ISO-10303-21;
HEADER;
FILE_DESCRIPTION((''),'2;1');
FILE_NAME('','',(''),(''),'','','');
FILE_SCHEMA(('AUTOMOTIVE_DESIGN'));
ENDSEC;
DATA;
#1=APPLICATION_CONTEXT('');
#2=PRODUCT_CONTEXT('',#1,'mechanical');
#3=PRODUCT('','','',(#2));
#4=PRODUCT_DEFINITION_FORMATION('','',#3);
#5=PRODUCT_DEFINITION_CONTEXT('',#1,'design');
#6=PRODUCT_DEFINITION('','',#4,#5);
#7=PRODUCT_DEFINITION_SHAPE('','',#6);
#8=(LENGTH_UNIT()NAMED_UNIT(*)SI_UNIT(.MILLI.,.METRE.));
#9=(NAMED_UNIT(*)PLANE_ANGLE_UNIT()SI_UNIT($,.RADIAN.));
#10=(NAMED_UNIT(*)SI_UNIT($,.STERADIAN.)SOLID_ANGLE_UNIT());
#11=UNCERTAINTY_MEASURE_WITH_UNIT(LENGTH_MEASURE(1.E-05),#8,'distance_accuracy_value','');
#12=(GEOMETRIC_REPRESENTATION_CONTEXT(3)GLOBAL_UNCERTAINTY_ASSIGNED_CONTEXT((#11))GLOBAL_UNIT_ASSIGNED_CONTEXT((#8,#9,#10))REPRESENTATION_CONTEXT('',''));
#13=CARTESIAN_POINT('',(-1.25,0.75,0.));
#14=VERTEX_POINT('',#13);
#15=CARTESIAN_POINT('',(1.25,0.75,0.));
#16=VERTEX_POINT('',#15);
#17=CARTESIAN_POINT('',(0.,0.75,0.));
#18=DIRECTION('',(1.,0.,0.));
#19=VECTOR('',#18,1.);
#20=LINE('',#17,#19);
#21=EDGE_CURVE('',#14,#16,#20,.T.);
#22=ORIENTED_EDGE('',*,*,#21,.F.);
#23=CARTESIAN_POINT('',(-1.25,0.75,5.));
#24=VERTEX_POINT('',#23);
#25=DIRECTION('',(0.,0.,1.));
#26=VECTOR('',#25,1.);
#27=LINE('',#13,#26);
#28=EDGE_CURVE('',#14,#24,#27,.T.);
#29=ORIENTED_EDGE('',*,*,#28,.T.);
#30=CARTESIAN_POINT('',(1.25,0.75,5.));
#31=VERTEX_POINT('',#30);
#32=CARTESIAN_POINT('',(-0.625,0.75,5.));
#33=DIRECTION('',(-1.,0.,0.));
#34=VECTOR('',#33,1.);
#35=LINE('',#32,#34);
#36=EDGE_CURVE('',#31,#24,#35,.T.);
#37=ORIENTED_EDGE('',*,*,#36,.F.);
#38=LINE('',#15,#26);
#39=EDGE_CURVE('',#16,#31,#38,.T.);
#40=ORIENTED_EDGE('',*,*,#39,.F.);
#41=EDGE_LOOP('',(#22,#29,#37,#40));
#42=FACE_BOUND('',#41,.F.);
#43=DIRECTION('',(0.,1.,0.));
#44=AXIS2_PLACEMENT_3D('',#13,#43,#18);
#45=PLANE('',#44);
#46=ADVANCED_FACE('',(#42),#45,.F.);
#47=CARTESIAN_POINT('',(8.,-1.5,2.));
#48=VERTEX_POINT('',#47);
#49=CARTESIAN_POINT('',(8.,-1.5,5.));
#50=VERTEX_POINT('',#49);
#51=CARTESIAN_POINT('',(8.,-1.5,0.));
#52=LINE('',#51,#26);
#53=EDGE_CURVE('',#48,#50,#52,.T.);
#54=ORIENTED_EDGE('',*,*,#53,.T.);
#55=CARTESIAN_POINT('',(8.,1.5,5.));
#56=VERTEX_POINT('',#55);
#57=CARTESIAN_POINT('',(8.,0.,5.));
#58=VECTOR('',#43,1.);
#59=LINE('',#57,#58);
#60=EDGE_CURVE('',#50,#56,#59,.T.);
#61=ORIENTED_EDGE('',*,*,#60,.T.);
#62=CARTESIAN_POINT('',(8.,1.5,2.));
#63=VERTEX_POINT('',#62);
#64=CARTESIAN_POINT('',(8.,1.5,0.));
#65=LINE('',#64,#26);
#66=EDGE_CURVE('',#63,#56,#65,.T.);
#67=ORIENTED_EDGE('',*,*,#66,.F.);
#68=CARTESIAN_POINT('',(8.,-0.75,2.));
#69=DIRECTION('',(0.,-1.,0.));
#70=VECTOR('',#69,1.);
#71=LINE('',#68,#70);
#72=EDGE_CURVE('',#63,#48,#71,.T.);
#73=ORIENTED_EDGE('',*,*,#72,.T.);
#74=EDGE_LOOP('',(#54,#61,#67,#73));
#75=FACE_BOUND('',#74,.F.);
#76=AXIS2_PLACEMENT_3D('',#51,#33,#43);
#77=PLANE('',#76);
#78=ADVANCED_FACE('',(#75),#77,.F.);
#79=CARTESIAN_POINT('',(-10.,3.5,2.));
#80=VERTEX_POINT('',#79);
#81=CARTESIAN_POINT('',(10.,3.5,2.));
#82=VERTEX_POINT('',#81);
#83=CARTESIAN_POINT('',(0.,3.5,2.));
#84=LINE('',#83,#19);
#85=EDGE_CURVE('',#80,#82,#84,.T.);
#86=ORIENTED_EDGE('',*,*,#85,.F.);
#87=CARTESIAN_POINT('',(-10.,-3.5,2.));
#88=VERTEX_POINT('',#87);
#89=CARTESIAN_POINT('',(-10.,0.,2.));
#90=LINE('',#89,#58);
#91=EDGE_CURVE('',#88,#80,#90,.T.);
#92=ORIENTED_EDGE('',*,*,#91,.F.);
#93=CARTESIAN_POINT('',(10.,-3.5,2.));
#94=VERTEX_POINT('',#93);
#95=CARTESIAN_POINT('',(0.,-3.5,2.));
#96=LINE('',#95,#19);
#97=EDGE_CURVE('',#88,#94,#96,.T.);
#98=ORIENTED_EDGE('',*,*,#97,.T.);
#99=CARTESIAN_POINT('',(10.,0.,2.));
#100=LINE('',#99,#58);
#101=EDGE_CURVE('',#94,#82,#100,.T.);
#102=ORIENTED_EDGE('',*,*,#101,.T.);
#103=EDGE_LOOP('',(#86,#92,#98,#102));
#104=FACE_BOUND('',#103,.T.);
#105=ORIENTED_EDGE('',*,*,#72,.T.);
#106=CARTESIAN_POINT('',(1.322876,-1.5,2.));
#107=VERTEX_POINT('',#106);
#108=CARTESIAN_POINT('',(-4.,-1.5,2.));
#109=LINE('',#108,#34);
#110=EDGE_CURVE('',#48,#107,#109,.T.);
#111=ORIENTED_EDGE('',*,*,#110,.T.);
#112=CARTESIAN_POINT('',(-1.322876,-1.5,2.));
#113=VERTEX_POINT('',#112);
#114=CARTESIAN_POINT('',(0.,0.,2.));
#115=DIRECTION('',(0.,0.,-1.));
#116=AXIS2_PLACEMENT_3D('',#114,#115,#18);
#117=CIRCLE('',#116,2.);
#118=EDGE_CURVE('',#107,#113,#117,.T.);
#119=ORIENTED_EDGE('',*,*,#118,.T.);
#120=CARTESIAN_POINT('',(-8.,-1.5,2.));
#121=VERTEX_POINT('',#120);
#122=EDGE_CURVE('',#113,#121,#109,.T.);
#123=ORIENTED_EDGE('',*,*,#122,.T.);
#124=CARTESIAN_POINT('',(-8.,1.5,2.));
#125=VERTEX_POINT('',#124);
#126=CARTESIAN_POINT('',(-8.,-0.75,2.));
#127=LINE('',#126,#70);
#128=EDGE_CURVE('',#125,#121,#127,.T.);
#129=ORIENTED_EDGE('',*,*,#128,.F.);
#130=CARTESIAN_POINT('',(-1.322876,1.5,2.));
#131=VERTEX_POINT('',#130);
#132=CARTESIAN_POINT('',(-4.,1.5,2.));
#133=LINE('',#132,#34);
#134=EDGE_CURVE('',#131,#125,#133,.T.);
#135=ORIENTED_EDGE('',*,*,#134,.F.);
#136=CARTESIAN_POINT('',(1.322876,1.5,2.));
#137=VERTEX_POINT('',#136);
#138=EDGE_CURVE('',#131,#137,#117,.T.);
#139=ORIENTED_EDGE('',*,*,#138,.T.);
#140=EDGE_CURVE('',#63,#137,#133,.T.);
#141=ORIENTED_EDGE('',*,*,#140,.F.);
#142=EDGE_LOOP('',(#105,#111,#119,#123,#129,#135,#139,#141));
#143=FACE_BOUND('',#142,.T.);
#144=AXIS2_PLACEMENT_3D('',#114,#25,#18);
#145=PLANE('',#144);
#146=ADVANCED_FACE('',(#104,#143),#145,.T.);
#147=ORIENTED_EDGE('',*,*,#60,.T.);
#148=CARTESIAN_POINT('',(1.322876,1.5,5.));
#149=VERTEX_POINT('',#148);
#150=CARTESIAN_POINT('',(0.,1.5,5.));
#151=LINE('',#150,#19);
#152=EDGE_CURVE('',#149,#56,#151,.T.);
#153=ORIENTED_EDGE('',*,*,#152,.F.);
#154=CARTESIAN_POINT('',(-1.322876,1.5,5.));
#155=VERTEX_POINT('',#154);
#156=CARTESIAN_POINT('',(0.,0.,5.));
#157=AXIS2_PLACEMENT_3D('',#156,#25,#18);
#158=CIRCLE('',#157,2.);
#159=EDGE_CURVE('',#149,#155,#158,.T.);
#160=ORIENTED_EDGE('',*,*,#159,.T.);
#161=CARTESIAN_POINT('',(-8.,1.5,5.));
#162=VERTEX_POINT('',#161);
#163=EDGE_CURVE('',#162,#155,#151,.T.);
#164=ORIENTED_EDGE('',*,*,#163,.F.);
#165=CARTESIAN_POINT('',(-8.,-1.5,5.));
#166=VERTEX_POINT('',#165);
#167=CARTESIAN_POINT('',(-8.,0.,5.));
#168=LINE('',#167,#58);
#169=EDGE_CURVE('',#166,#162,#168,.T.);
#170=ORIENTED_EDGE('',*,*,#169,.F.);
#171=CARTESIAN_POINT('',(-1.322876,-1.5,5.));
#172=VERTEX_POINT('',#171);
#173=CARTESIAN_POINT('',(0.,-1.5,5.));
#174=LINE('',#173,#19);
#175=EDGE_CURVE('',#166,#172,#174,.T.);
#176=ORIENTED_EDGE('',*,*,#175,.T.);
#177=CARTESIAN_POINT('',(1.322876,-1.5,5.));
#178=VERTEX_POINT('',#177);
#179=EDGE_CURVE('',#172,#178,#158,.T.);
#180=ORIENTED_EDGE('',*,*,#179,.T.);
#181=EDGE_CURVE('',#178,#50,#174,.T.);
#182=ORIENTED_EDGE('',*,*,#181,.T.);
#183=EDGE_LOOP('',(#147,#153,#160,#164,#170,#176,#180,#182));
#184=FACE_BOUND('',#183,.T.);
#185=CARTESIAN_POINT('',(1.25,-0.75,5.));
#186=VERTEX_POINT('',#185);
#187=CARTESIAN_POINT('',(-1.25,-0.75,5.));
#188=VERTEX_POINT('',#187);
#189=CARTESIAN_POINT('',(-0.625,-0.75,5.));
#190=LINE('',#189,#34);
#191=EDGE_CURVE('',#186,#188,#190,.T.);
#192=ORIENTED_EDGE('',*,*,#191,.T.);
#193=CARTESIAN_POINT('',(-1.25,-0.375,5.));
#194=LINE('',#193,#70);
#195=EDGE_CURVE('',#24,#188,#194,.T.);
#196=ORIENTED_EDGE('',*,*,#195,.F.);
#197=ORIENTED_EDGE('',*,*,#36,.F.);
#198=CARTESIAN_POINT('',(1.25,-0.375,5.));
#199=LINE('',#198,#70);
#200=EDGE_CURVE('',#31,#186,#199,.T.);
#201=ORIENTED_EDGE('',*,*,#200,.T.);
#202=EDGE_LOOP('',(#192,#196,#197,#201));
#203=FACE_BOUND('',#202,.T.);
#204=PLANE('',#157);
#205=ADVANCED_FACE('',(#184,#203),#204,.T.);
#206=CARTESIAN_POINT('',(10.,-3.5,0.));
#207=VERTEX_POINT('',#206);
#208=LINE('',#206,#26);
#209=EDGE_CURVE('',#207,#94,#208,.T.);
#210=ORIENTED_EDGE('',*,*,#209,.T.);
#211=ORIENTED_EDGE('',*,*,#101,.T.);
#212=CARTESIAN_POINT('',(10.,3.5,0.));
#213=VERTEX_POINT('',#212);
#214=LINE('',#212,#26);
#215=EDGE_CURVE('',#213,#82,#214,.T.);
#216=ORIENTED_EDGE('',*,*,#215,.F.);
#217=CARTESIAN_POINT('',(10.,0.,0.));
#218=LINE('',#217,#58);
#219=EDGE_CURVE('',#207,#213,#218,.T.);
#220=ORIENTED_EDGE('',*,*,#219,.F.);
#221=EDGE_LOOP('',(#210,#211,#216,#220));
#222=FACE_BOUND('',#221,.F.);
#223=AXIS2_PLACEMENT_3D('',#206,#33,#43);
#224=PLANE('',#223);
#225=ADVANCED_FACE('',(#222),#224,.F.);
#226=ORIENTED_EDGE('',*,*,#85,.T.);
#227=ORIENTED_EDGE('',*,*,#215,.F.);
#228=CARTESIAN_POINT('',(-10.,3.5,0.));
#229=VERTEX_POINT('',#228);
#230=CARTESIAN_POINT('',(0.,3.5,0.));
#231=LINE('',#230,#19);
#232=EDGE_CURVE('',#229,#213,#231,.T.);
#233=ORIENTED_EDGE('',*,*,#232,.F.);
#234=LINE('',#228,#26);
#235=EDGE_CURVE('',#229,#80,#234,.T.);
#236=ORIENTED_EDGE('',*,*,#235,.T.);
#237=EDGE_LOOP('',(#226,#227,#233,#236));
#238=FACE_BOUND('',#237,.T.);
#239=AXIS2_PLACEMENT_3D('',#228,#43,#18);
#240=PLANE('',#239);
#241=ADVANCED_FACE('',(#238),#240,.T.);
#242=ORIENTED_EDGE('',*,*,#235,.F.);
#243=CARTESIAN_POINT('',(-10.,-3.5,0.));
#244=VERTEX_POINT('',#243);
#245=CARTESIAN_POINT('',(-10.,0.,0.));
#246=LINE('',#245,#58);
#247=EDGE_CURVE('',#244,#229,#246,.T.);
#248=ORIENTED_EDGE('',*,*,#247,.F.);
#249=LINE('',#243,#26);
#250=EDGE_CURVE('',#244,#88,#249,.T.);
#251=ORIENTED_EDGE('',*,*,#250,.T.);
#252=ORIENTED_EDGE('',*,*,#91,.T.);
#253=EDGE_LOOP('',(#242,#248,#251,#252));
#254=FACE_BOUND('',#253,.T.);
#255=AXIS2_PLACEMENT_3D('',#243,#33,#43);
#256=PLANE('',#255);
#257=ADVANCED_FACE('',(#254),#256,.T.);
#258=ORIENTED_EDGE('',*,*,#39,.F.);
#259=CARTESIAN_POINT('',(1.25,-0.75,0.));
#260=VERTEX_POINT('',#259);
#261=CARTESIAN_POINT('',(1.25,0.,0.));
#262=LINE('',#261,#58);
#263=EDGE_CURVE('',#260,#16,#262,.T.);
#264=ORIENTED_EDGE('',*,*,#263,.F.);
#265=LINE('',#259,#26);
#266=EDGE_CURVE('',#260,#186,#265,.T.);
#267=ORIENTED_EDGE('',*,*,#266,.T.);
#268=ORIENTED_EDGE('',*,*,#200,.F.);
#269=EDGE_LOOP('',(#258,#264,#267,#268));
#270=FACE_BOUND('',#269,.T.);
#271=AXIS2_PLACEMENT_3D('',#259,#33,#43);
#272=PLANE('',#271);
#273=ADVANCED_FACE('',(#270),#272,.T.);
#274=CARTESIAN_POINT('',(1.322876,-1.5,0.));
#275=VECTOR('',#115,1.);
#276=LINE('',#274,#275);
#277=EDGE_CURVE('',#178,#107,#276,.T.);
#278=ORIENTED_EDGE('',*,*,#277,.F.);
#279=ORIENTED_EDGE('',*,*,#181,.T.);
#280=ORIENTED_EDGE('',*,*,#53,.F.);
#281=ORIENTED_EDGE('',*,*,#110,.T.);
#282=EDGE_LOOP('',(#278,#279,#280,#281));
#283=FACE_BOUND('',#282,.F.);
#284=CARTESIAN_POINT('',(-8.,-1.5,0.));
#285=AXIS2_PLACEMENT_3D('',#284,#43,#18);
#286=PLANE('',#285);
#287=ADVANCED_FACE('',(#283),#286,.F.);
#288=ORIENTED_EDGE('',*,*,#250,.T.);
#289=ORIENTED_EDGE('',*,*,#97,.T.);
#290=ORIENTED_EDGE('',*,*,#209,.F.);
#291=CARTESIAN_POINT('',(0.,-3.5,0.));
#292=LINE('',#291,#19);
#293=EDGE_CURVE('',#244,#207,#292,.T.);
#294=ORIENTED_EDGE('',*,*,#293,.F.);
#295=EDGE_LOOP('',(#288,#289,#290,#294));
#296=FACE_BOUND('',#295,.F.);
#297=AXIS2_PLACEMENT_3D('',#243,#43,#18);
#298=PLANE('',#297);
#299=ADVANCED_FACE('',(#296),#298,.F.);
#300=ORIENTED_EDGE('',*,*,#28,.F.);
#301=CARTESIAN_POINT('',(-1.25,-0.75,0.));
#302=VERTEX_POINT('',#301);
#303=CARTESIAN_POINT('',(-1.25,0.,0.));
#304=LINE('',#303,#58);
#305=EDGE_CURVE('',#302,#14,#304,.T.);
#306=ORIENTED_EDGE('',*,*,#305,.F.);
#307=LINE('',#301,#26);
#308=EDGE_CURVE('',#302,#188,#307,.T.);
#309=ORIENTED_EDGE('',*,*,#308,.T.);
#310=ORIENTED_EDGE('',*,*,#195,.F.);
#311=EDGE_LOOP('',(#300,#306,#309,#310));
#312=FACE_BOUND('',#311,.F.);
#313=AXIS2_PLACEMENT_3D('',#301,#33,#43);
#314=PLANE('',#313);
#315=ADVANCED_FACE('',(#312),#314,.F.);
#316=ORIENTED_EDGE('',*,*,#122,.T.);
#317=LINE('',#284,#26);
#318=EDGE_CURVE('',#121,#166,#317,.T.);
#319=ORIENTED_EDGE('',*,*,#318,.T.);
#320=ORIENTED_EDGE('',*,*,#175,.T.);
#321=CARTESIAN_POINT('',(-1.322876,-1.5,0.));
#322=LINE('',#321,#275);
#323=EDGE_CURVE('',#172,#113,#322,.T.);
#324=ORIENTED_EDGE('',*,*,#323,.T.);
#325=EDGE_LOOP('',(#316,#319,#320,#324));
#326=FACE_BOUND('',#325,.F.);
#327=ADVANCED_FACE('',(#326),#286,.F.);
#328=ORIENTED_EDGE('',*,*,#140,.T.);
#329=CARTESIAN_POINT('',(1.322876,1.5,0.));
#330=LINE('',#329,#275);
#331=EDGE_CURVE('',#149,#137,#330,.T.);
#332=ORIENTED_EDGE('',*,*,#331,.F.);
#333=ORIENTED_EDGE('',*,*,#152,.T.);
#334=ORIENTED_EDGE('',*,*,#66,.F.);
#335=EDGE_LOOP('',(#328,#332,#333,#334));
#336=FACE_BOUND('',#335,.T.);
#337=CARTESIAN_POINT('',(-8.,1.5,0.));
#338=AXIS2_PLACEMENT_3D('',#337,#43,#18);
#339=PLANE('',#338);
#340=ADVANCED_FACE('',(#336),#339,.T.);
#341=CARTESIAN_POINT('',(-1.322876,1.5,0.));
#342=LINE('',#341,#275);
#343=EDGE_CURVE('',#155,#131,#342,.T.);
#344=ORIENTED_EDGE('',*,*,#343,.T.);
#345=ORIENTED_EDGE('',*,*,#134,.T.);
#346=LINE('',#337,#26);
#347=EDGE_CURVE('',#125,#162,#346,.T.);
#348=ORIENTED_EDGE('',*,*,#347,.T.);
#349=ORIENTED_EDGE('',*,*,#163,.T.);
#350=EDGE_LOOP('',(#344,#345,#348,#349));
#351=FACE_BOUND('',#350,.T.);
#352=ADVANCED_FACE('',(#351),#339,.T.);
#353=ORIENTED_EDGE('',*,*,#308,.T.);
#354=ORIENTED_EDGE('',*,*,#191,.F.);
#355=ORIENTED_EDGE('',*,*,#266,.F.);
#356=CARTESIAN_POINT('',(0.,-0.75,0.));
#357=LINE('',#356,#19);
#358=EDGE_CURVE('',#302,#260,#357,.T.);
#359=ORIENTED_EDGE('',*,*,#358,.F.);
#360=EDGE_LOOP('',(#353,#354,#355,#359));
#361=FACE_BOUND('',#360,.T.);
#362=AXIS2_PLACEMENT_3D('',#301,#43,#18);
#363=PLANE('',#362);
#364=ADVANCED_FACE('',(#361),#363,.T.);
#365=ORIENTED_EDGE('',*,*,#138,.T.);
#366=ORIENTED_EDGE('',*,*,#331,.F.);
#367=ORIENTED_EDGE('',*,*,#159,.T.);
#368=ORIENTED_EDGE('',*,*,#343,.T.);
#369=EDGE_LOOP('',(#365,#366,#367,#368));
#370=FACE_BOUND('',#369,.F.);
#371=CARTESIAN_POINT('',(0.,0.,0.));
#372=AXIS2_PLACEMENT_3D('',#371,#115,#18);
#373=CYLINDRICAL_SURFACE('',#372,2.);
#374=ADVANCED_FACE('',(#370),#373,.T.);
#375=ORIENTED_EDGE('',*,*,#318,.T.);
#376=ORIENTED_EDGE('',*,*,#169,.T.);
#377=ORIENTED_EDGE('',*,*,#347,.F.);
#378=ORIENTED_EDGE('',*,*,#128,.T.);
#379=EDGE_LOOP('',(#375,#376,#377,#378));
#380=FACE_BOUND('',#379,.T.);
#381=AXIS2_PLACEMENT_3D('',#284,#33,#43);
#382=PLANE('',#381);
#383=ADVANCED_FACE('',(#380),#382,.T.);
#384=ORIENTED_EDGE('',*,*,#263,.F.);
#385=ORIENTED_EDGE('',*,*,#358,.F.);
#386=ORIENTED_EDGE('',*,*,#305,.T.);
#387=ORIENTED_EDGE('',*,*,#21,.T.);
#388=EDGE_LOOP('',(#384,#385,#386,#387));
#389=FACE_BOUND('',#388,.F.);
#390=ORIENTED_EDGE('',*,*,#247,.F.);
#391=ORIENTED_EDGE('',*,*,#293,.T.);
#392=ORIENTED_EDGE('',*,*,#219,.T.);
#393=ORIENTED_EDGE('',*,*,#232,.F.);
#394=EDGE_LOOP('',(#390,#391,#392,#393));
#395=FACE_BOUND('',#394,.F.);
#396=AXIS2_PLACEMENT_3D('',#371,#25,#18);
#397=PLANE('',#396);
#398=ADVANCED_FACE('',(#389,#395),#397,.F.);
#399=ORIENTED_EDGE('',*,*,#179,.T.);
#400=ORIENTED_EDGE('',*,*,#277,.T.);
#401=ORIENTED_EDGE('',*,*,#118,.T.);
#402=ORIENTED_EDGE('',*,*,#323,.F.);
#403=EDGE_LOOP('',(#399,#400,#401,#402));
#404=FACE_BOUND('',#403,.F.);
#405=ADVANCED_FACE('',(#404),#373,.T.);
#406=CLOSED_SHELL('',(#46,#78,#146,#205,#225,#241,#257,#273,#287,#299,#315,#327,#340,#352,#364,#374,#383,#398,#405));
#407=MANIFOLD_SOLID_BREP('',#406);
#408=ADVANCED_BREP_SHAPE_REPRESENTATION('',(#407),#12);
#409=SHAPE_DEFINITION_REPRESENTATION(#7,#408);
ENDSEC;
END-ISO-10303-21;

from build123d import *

# Parameters (mm, degrees)
BOX001_W       = 2.5
BOX001_H       = 1.5
BOX001_DEPTH   = 10
BOX_W          = 16
BOX_H          = 3
BOX_DEPTH      = 5
CYLINDER_R     = 2
CYLINDER_DEPTH = 5
BOX002_W       = 20
BOX002_H       = 7
BOX002_DEPTH   = 2


with BuildPart() as cube001:
    # Box001 → Box001 (new body)
    with BuildSketch(Plane(origin=(-1.25, -0.75, 0), x_dir=(1, 0, 0), z_dir=(0, 0, 1))):
        with Locations((1.25, 0.75)):
            Rectangle(BOX001_W, BOX001_H)
    extrude(amount=BOX001_DEPTH)


with BuildPart() as cube:
    # Box → Box (new body)
    with BuildSketch(Plane(origin=(-8, -1.5, 0), x_dir=(1, 0, 0), z_dir=(0, 0, 1))):
        with Locations((8, 1.5)):
            Rectangle(BOX_W, BOX_H)
    extrude(amount=BOX_DEPTH)


with BuildPart() as fusion:
    # Cylinder → Cylinder (new body)
    with BuildSketch(Plane.XY):
        Circle(CYLINDER_R)
    extrude(amount=CYLINDER_DEPTH)

    # Fusion: union Cube
    add(cube.part)


with BuildPart() as cut:
    # Box002 → Box002 (new body)
    with BuildSketch(Plane(origin=(-10, -3.5, 0), x_dir=(1, 0, 0), z_dir=(0, 0, 1))):
        with Locations((10, 3.5)):
            Rectangle(BOX002_W, BOX002_H)
    extrude(amount=BOX002_DEPTH)

    # Fusion001: union Fusion
    add(fusion.part)

    # Cut: cut Cube001
    add(cube001.part, mode=Mode.SUBTRACT)


solid = cut.part
